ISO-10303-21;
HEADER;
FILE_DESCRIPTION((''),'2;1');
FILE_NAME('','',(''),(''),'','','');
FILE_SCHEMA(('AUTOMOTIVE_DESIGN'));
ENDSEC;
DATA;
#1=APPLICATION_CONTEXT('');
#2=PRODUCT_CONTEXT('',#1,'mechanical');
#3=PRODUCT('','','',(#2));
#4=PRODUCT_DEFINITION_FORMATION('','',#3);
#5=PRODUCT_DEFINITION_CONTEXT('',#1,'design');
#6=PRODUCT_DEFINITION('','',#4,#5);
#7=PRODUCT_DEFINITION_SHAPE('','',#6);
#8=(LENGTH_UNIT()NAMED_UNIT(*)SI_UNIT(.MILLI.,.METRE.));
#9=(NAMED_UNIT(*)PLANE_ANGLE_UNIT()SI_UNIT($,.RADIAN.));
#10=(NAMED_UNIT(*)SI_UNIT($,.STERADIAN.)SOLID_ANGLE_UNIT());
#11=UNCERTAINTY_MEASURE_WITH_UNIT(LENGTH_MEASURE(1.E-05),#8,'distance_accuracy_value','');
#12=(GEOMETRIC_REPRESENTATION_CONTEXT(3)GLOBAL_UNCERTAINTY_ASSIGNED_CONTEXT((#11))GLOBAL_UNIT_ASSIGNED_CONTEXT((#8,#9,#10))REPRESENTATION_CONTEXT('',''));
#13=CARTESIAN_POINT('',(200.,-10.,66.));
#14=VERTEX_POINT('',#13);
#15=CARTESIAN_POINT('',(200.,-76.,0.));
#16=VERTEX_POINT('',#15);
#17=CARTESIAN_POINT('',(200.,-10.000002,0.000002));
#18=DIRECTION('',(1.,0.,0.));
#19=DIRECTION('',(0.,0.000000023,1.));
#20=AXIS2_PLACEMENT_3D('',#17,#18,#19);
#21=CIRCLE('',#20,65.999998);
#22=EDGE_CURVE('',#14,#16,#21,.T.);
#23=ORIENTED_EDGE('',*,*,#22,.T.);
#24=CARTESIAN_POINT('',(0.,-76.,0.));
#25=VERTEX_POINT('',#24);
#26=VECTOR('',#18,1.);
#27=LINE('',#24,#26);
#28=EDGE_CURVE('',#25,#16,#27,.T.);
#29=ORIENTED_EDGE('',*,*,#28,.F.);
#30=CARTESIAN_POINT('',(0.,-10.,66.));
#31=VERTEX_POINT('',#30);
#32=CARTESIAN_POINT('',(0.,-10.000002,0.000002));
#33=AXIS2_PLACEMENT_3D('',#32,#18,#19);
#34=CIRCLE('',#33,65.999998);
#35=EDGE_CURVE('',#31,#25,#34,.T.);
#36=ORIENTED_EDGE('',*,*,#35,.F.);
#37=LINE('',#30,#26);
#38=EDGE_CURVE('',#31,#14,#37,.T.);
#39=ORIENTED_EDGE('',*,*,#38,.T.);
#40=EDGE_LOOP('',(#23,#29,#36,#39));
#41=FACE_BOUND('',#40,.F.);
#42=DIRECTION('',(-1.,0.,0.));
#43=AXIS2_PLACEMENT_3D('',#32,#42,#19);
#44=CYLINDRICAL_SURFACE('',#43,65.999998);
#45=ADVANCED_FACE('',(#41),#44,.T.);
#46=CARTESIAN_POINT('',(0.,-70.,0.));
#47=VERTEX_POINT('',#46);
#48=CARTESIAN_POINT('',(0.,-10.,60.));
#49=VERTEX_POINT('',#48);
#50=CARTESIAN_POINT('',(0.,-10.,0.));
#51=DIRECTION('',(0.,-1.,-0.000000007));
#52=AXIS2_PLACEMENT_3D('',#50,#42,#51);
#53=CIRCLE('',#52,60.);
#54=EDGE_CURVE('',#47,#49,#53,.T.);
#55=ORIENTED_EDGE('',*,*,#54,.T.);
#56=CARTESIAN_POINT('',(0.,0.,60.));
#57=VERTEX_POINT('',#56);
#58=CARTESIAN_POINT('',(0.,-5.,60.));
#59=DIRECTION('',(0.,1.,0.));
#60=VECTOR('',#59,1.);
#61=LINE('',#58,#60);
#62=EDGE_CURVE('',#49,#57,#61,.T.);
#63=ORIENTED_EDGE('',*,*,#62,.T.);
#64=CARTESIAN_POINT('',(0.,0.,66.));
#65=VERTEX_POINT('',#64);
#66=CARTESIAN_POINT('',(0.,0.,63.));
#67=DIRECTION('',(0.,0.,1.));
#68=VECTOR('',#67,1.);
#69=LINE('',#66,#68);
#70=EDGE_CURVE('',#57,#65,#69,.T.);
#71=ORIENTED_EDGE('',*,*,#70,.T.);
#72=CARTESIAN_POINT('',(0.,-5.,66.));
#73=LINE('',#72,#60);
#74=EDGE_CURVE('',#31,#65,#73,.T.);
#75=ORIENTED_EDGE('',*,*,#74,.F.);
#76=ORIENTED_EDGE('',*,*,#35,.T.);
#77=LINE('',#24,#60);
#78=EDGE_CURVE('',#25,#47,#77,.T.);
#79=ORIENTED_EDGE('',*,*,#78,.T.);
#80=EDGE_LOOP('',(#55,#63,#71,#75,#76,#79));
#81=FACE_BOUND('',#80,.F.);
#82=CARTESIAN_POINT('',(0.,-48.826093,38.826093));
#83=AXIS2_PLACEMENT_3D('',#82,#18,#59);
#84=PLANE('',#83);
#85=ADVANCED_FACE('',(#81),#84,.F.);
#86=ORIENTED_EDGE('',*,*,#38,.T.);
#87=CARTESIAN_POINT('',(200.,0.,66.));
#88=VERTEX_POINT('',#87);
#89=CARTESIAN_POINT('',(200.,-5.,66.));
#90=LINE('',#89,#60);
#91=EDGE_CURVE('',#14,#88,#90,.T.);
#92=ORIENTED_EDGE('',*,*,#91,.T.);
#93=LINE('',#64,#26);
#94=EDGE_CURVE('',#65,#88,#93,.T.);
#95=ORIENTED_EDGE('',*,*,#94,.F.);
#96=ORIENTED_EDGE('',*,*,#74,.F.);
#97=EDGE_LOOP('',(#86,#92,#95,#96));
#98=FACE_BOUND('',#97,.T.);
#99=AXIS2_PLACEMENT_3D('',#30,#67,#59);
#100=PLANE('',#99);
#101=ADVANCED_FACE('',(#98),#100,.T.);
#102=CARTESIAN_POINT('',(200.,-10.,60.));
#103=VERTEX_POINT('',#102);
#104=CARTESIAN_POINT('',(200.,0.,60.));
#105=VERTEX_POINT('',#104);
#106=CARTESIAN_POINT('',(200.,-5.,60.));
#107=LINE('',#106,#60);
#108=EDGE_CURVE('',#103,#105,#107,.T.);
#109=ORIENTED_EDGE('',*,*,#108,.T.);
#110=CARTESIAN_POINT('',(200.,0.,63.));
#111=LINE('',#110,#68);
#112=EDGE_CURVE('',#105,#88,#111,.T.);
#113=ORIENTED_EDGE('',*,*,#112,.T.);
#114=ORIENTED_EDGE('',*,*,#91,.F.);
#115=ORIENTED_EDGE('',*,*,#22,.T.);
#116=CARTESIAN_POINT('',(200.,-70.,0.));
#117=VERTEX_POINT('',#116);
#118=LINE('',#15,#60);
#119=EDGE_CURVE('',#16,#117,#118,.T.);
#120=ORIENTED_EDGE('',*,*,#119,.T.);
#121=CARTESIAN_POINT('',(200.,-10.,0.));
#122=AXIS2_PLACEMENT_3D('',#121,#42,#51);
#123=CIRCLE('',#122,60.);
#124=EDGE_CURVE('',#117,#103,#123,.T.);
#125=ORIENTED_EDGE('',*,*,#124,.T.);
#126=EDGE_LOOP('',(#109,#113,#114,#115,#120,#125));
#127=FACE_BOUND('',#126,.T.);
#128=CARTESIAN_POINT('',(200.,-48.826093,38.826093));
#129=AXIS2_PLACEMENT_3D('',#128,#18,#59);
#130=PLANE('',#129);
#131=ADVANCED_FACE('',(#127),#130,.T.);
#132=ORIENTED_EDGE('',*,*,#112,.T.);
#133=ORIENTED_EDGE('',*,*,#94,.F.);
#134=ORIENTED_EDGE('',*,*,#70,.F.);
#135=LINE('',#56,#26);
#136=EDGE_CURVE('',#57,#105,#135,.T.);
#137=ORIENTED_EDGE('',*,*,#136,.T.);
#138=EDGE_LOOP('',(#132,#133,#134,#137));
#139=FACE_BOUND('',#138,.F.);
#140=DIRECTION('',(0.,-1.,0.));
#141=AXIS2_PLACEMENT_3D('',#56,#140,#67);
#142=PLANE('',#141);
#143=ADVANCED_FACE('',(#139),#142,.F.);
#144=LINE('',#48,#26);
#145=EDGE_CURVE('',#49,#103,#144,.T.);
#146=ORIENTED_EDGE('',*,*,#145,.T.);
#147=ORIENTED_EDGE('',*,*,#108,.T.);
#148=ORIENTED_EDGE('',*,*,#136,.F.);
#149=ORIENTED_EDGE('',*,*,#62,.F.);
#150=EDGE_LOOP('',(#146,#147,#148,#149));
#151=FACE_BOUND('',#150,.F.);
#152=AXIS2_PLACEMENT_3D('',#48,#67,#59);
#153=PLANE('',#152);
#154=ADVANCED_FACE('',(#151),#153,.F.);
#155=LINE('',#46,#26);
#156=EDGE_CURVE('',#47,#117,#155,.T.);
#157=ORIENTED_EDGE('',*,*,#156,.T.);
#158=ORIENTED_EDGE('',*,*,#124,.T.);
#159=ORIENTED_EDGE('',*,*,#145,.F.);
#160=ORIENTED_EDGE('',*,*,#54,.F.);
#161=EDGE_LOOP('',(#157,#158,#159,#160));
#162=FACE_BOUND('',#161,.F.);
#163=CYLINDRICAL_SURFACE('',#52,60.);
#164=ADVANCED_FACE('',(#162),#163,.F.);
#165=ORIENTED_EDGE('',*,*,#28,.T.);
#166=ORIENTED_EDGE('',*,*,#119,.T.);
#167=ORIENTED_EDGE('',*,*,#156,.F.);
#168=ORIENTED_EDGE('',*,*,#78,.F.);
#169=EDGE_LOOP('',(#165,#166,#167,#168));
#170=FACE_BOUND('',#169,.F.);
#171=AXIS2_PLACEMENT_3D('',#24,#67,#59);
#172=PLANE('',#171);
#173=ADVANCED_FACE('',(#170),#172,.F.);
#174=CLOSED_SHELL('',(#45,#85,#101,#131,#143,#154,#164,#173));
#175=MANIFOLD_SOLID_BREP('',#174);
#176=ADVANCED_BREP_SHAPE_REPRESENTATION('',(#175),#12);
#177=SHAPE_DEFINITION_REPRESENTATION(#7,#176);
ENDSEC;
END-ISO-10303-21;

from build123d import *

# Parameters (mm, degrees)
F0_W     = 10
F0_H     = 6
F1_DEPTH = 200


with BuildPart() as f1:
    # F0 (on Right) → F1 (new body)
    with BuildSketch(Plane.YZ):
        with BuildLine():
            Line((-76, 0), (-70, 0))
            ThreePointArc((-70, 0), (-52.426407, 42.426407), (-10, 60))
            Line((-10, 60), (-10, 66))
            ThreePointArc((-10, 66), (-56.669048, 46.669048), (-76, 0))
        make_face()
        with Locations((-5, 63)):
            Rectangle(F0_W, F0_H)
    extrude(amount=F1_DEPTH)


solid = f1.part
